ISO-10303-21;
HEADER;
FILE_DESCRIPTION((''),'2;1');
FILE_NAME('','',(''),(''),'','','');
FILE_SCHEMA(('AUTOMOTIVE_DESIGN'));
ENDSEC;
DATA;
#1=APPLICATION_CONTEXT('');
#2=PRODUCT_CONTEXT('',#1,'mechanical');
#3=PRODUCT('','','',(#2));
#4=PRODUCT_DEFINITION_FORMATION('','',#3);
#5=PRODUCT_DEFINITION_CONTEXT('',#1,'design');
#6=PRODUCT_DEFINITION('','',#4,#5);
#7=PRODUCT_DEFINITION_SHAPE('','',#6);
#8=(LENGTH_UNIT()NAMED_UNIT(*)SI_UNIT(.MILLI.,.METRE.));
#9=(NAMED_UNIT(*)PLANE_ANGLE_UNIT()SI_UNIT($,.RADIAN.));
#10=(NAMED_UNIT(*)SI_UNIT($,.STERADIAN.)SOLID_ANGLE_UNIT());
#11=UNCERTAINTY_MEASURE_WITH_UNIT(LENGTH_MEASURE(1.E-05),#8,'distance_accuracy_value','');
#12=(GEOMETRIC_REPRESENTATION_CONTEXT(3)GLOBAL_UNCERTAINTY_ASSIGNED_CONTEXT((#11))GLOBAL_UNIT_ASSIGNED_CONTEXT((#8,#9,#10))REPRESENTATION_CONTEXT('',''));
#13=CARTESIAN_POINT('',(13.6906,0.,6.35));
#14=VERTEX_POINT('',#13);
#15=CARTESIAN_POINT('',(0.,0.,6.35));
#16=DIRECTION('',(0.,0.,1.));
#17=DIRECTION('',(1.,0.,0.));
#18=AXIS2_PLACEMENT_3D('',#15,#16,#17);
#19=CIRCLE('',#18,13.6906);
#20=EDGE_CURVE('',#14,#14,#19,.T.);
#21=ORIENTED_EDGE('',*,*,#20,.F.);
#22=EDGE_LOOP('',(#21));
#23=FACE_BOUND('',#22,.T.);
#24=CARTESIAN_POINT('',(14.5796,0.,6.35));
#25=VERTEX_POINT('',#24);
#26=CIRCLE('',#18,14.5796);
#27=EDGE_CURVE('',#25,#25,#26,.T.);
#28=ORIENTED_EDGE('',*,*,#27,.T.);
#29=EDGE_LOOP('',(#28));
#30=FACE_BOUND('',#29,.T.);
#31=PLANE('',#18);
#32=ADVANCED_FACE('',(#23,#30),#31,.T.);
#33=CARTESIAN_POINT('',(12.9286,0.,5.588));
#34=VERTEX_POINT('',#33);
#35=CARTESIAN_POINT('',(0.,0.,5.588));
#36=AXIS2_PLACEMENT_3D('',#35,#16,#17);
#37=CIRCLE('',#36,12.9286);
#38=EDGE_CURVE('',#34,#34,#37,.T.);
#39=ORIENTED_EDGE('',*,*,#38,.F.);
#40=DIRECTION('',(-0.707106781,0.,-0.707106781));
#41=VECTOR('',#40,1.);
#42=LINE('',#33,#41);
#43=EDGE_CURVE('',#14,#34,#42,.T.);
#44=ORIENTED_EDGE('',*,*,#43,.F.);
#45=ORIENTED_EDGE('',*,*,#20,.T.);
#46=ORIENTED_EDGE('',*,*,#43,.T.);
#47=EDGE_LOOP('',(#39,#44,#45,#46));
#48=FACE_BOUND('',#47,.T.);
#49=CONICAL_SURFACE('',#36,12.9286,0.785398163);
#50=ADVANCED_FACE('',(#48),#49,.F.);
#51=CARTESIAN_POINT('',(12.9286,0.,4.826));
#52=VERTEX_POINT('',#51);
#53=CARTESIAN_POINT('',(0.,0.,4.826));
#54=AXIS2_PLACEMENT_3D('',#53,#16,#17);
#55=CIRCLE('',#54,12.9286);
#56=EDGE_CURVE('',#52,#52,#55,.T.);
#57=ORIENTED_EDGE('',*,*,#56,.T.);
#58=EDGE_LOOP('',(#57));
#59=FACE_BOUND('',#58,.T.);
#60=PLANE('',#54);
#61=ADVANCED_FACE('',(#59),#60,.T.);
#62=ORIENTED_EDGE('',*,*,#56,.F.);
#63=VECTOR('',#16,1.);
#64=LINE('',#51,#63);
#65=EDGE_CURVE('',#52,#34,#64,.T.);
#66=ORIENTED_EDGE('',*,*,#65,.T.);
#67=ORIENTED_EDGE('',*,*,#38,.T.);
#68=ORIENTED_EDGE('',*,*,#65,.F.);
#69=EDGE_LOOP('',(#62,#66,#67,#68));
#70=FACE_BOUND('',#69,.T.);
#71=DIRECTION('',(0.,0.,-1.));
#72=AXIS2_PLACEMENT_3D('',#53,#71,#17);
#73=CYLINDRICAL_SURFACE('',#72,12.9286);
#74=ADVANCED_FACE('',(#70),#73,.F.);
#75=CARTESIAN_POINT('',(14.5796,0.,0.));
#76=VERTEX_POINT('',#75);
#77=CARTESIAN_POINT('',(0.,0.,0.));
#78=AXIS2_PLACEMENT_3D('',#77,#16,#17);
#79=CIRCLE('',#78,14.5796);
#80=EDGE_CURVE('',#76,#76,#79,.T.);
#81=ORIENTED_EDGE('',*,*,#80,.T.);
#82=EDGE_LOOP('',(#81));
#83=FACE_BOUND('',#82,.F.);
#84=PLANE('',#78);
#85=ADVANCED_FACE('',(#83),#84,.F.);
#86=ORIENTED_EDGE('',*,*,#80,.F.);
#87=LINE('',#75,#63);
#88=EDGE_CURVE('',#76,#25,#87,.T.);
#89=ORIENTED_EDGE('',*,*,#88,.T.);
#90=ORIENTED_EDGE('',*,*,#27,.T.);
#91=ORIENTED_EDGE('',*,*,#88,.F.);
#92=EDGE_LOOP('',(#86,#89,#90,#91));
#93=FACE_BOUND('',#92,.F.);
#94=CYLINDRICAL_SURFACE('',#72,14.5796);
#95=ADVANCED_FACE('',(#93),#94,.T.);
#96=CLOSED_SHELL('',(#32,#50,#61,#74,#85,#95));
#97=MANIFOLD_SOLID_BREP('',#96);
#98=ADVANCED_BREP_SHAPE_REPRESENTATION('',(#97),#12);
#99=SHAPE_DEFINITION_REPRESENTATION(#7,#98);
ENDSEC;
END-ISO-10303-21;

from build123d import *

# Parameters (mm, degrees)
F0_R     = 14.5796
F1_DEPTH = 4.826
F2_R     = 14.5796
F2_R_2   = 12.9286
F3_DEPTH = 1.524
F4_SIZE  = 0.762


with BuildPart() as f1:
    # F0 (on Top) → F1 (new body)
    with BuildSketch(Plane.XY):
        Circle(F0_R)
    extrude(amount=F1_DEPTH)

    # F2 (on face) → F3 (join)
    with BuildSketch(Plane.XY.offset(4.826)):
        Circle(F2_R)
        Circle(F2_R_2, mode=Mode.SUBTRACT)
    extrude(amount=F3_DEPTH)

    # F4
    f4_edges = [f1.edges().sort_by_distance(p)[0] for p in [
        (-12.9286, 0, 6.35),
    ]]
    chamfer(f4_edges, length=F4_SIZE)


solid = f1.part
